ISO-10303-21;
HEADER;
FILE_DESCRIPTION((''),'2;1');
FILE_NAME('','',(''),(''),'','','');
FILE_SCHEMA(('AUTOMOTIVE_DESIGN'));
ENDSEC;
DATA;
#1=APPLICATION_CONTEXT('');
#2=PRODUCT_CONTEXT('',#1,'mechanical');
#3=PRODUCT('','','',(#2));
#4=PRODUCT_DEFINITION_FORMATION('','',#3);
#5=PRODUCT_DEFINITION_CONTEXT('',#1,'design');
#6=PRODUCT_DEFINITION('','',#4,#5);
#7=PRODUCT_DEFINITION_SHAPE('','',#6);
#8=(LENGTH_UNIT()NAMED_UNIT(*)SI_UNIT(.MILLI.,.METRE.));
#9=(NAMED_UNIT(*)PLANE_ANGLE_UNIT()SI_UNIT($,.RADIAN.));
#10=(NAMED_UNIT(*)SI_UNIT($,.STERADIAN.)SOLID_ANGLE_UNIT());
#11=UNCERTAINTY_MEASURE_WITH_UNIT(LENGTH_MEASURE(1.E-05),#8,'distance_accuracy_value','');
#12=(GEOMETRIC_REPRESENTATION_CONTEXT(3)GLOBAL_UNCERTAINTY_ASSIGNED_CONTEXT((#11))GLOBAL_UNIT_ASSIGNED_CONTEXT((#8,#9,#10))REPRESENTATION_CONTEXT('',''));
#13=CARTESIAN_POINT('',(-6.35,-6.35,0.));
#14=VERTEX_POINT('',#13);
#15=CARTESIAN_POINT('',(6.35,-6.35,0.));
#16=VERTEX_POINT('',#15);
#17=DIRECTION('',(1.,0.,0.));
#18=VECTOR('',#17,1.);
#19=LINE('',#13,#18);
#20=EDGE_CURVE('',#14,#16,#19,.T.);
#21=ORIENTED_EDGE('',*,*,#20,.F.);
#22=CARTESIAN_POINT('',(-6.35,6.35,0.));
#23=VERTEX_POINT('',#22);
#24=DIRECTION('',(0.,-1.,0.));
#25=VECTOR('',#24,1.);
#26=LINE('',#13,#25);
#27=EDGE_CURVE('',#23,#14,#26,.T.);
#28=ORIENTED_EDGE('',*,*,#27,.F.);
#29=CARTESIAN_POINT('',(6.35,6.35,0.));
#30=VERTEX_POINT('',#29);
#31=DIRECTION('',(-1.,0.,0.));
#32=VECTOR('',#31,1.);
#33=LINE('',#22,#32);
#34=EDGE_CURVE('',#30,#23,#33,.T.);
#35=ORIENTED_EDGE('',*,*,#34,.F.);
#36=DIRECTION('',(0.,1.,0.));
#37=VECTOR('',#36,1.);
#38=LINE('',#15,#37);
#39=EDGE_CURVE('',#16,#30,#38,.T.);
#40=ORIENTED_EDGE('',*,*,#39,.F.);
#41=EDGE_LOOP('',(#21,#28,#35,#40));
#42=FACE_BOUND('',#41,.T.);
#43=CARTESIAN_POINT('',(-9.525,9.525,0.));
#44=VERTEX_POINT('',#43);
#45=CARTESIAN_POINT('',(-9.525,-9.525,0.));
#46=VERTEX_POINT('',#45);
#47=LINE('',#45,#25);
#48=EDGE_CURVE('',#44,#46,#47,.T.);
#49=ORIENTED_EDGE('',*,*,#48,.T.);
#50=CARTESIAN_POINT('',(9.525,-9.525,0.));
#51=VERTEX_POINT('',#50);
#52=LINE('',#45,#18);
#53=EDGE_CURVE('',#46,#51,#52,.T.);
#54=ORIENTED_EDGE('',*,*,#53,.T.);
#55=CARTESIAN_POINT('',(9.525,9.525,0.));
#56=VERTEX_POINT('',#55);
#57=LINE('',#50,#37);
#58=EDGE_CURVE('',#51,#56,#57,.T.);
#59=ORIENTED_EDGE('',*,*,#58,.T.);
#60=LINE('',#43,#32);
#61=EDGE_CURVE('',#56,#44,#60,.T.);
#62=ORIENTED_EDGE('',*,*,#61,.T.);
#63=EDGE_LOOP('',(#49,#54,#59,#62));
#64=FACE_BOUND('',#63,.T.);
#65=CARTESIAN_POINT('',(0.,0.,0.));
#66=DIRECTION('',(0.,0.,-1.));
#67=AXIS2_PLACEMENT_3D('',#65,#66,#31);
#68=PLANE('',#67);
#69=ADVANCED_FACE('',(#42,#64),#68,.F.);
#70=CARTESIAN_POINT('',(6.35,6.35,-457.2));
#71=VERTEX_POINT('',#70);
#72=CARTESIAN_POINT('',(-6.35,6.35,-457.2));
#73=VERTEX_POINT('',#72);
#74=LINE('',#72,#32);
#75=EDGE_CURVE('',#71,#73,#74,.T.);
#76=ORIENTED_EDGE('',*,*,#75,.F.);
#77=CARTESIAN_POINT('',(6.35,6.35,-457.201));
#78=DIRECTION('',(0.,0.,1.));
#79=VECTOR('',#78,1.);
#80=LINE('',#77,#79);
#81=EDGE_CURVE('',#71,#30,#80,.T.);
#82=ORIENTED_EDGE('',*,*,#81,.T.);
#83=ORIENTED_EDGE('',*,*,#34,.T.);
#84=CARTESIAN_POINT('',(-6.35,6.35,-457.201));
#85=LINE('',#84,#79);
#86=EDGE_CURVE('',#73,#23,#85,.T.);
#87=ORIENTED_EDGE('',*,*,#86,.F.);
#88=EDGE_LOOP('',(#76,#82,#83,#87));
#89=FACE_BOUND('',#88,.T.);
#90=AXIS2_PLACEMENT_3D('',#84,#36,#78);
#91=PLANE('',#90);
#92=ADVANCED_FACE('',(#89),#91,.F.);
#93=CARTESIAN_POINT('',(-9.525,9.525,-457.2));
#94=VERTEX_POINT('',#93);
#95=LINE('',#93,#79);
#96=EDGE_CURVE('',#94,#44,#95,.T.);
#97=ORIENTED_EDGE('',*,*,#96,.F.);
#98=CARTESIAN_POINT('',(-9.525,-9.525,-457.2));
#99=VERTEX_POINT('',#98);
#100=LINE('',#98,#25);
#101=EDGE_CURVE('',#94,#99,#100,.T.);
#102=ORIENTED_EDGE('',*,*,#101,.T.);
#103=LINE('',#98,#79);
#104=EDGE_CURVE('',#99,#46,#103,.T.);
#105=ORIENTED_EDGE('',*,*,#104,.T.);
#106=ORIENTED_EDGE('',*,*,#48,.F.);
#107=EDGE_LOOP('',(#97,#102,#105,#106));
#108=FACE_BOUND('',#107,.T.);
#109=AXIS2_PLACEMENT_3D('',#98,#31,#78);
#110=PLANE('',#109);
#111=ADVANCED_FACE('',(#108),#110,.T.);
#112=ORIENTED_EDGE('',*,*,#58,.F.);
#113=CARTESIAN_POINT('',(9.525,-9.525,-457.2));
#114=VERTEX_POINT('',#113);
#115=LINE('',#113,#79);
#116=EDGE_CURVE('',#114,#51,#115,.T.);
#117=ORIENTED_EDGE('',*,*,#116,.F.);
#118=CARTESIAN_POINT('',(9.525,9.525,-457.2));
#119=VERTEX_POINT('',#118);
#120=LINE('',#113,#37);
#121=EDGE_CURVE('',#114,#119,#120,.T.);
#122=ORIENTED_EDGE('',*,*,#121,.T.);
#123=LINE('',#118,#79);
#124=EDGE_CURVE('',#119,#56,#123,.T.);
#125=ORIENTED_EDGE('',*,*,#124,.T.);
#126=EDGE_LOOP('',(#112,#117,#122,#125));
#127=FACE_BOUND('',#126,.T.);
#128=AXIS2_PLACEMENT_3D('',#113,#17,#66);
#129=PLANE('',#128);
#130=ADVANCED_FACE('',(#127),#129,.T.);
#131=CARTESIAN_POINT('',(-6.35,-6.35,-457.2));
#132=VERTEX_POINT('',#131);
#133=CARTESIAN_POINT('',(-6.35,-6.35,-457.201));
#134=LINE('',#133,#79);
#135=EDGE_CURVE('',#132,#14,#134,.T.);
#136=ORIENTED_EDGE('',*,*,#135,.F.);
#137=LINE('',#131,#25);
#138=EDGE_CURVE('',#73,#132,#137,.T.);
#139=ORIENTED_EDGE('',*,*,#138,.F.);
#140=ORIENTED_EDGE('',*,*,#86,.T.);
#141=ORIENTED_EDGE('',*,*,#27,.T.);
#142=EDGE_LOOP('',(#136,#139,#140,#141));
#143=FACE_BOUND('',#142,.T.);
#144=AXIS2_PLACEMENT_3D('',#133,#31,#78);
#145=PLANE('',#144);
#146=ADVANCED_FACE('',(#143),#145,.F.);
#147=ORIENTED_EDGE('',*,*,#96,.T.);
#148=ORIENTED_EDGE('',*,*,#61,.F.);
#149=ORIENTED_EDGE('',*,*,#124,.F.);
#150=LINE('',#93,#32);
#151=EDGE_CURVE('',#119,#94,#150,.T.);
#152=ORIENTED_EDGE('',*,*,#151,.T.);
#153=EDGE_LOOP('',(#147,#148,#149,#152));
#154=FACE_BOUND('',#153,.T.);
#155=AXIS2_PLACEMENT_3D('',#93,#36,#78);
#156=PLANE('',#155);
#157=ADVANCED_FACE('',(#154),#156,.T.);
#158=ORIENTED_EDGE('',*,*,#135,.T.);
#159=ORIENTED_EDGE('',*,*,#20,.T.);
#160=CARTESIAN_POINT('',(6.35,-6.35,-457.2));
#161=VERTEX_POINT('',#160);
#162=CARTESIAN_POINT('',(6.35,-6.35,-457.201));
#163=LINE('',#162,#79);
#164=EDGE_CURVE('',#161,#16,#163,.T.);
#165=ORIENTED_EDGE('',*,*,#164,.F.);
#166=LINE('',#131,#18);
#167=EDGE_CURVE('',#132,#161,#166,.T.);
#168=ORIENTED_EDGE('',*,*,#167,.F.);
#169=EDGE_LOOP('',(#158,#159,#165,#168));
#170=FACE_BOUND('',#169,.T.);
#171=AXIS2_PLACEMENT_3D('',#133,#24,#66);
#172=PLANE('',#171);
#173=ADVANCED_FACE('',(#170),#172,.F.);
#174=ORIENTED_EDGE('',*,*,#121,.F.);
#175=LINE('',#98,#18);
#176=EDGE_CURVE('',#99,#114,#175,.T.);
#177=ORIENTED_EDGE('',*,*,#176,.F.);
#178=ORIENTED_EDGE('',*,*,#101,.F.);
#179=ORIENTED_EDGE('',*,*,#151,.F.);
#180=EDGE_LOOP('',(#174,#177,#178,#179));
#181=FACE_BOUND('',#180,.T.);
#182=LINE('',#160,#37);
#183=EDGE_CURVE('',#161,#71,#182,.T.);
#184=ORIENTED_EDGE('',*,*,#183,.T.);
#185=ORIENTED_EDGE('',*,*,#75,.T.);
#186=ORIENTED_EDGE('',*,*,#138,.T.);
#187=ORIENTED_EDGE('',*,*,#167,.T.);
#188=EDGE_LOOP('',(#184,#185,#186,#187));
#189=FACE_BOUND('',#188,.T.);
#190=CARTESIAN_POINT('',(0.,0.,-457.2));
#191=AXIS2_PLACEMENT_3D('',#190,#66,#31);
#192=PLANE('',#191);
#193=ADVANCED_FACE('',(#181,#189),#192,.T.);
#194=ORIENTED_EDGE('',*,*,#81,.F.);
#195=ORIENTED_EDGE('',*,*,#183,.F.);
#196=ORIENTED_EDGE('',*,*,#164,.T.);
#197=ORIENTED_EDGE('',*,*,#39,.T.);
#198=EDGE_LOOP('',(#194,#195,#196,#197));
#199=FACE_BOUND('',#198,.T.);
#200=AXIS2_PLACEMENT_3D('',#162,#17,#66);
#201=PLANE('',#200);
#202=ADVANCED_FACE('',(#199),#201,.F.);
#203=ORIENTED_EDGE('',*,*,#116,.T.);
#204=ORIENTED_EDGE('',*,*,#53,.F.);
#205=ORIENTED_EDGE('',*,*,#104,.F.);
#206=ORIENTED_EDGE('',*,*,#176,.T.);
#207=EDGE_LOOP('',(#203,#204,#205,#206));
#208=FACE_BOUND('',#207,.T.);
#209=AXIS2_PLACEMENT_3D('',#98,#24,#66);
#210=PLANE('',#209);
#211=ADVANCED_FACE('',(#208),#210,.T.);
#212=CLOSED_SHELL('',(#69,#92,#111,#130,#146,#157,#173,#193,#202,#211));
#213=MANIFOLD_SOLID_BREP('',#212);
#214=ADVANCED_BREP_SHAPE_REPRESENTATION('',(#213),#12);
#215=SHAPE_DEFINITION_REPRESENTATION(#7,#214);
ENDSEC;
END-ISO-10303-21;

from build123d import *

# Parameters (mm, degrees)
SKETCH1_W           = 19.05
SKETCH1_H           = 19.05
BOSS_EXTRUDE1_DEPTH = 457.2
CUT_EXTRUDE1_REACH  = 459.2
SKETCH2_W           = 12.7
SKETCH2_H           = 12.7


with BuildPart() as part:
    # Sketch1 → Boss-Extrude1 (new body)
    with BuildSketch(Plane.XY):
        Rectangle(SKETCH1_W, SKETCH1_H)
    extrude(amount=-BOSS_EXTRUDE1_DEPTH)

    # Sketch2 → Cut-Extrude1 (cut, up to next)
    with BuildSketch(Plane.XY, mode=Mode.PRIVATE) as cut_extrude1_sk1:
        Rectangle(SKETCH2_W, SKETCH2_H)
    cut_extrude1_tool1 = extrude(cut_extrude1_sk1.sketch, amount=-CUT_EXTRUDE1_REACH, mode=Mode.PRIVATE) & part.part
    add(cut_extrude1_tool1.solids().sort_by_distance((0, 0, 0))[0], mode=Mode.SUBTRACT)


solid = part.part
